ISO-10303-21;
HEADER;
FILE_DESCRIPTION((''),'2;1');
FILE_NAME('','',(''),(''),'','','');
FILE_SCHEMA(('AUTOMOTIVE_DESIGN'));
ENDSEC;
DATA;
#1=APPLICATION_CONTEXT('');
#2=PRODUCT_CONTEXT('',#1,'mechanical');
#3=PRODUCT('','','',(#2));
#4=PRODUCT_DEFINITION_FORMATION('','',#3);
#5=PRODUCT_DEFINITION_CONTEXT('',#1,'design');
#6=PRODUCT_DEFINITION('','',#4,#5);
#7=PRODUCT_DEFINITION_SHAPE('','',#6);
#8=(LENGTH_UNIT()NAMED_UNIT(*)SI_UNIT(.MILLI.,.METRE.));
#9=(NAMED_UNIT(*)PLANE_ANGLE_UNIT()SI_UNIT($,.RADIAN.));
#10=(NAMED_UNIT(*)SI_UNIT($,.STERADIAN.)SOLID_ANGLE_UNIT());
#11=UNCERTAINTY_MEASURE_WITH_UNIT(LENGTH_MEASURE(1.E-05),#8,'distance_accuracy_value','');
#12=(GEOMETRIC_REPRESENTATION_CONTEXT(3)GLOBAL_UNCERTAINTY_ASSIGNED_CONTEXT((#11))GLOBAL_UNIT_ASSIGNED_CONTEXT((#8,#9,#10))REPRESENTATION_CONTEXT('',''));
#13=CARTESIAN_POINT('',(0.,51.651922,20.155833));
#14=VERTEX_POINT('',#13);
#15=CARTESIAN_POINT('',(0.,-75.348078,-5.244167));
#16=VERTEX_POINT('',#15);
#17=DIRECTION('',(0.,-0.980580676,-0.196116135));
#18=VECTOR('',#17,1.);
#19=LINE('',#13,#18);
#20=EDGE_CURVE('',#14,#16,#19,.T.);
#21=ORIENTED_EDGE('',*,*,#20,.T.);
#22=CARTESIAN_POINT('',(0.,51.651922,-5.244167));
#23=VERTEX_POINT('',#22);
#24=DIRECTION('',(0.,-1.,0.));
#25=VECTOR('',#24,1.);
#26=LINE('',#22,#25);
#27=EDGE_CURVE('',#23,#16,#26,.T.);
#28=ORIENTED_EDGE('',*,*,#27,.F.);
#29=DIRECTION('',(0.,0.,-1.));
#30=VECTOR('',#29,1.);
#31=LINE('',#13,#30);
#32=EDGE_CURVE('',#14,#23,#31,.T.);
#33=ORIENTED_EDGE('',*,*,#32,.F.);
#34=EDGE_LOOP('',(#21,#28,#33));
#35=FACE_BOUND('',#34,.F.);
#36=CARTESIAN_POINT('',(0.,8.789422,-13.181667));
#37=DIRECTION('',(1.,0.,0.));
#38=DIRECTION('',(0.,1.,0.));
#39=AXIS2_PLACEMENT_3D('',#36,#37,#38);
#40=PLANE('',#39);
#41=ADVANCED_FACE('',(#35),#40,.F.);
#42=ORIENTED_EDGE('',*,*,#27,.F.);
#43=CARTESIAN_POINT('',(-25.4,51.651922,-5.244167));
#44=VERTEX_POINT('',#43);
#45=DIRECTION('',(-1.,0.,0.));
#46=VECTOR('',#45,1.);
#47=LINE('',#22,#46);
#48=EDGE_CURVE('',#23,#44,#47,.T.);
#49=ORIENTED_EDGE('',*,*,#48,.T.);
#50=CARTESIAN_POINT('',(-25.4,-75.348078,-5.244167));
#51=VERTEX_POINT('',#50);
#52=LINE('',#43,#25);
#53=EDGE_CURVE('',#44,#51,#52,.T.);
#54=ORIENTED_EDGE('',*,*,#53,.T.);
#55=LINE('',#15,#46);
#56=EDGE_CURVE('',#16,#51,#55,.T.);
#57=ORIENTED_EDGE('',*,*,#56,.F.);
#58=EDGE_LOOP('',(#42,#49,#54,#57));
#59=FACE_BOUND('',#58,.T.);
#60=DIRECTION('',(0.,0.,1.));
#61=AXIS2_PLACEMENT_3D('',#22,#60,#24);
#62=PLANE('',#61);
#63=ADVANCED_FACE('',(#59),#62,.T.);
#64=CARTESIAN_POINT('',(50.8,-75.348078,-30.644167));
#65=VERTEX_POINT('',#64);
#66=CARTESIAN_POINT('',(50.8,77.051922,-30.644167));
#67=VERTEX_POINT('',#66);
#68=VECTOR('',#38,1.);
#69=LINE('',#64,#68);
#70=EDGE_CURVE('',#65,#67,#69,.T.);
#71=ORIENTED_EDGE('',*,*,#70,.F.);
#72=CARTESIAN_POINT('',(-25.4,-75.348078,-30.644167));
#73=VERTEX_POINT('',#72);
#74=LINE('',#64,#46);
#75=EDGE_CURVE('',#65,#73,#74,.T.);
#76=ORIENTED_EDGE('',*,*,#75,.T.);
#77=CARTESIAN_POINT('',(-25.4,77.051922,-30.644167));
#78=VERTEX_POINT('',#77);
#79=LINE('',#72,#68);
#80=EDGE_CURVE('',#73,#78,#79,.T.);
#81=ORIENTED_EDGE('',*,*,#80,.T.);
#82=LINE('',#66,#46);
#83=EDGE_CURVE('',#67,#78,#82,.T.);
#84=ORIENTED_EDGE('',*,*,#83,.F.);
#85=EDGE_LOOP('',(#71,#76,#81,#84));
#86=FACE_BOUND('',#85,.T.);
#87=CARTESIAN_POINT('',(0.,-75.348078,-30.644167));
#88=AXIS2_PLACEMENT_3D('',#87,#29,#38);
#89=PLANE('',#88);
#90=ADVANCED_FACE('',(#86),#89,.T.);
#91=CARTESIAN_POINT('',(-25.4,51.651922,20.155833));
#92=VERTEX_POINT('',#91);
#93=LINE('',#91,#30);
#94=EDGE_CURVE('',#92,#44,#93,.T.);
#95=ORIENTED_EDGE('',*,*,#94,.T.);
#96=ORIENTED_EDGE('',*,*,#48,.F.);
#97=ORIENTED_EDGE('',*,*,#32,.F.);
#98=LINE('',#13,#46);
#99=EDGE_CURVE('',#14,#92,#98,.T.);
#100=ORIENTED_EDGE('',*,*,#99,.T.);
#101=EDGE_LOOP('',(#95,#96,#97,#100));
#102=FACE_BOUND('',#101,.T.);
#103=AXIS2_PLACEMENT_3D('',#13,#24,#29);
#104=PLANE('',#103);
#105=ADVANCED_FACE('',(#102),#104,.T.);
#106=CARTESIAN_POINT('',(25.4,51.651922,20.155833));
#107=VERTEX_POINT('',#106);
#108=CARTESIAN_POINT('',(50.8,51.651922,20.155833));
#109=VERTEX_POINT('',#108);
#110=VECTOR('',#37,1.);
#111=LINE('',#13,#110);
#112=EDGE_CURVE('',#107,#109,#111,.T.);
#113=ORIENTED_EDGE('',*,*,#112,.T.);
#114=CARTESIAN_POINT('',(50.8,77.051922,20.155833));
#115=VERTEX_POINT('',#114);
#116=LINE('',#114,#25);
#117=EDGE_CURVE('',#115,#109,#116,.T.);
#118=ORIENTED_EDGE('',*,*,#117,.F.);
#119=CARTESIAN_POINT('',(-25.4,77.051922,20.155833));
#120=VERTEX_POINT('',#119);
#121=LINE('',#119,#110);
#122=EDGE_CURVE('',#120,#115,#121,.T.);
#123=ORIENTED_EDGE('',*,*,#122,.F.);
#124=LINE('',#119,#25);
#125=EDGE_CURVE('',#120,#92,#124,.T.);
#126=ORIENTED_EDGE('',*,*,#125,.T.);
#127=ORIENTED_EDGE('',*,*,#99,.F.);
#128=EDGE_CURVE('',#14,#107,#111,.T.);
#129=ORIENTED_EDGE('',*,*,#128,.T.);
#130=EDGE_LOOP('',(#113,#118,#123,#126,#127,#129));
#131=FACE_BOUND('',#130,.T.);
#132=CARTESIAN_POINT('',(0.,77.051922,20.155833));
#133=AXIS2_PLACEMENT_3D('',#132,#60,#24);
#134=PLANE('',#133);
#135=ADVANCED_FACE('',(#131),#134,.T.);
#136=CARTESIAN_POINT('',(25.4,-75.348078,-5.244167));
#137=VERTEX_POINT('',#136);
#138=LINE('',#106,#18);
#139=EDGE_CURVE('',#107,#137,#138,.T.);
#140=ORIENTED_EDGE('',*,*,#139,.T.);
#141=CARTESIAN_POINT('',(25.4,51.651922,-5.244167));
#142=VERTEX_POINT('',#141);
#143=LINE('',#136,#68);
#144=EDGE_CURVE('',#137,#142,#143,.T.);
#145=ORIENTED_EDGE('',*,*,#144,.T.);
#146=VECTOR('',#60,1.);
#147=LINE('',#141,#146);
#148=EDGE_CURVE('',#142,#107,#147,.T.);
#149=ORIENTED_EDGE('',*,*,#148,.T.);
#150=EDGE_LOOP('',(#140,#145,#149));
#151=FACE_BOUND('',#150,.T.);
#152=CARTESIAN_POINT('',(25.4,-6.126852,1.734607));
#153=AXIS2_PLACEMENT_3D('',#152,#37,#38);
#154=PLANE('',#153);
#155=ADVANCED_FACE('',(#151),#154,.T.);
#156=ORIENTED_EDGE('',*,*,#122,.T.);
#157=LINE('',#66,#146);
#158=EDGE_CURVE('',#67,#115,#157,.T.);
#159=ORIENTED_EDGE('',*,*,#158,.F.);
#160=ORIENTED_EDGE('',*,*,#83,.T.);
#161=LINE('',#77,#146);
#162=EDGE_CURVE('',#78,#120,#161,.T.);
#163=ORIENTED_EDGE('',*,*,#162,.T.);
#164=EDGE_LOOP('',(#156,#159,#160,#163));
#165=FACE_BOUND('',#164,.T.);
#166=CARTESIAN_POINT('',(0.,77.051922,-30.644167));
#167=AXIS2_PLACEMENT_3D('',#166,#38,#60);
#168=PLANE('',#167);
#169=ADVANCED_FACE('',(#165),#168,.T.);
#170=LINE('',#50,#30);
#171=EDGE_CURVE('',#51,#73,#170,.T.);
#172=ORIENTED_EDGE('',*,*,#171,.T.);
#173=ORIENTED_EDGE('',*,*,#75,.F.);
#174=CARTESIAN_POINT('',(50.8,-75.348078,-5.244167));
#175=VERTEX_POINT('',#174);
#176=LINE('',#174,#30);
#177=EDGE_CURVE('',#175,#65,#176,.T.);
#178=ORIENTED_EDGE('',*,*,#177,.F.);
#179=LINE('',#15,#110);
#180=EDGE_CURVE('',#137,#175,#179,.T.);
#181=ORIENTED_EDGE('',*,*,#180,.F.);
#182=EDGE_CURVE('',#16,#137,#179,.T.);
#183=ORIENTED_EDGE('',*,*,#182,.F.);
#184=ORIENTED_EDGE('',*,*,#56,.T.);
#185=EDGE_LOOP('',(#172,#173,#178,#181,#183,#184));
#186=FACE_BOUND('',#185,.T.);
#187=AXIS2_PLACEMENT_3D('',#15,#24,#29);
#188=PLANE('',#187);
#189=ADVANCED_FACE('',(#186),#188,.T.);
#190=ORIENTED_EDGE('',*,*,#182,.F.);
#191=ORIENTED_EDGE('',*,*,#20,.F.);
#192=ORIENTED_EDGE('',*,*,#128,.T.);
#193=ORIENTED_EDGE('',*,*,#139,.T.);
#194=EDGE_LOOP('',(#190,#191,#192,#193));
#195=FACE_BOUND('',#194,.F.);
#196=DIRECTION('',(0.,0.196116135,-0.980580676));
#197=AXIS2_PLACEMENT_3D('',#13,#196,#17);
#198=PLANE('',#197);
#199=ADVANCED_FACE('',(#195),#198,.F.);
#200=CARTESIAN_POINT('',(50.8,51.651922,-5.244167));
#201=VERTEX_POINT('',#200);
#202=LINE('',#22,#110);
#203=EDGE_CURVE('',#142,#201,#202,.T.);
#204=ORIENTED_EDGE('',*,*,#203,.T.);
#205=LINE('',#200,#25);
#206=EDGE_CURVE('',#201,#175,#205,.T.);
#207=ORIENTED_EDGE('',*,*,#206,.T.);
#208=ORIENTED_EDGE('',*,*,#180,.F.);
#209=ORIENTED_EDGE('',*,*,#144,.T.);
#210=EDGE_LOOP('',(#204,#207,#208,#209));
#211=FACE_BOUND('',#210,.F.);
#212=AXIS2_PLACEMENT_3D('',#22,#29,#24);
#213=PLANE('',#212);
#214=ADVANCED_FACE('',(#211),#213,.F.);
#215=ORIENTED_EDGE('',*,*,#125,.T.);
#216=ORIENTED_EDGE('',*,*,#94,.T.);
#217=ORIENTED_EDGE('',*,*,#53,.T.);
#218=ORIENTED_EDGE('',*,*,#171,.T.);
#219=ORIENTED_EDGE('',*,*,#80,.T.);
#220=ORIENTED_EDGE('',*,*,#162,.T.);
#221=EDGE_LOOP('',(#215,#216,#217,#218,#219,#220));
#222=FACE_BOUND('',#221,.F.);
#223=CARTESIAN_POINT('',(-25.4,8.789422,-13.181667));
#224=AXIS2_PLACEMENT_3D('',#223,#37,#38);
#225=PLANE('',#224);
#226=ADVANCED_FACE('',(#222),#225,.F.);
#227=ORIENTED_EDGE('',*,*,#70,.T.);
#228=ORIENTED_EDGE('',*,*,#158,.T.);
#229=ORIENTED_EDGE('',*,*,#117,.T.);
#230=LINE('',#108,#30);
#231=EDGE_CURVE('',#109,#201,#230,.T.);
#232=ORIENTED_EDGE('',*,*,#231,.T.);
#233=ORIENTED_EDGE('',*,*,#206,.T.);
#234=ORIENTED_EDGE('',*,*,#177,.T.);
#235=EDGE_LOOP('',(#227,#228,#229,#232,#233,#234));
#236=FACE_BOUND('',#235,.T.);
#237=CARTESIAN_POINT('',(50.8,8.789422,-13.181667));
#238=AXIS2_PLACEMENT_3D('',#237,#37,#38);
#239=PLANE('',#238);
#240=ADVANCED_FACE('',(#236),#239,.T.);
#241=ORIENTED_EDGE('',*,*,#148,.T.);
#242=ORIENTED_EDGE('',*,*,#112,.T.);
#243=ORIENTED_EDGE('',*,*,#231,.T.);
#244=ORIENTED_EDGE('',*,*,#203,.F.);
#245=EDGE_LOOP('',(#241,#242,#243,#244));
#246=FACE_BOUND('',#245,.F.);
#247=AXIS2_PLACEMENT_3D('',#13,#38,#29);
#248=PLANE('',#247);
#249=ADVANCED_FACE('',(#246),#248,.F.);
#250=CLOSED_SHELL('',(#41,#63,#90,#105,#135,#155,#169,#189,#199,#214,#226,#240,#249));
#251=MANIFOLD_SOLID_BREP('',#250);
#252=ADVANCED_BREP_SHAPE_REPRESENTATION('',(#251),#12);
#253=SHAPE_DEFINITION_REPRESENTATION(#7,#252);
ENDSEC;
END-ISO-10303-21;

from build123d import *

# Parameters (mm, degrees)
F1_DEPTH      = 25.4
F2_DEPTH      = 50.8
F2_DEPTH_BACK = 25.4


with BuildPart() as f1:
    # F0 (on Right) → F1 (new body)
    with BuildSketch(Plane.YZ):
        Polygon((51.651922, -5.244167), (51.651922, 20.155833), (-75.348078, -5.244167), align=None)
    extrude(amount=F1_DEPTH)

    # F0 (on Right) → F2 (join, two sides)
    with BuildSketch(Plane.YZ) as f2_sk:
        Polygon((77.051922, -30.644167), (77.051922, 20.155833), (51.651922, 20.155833), (51.651922, -5.244167), (-75.348078, -5.244167), (-75.348078, -30.644167), align=None)
    extrude(amount=F2_DEPTH)
    extrude(f2_sk.sketch, amount=-F2_DEPTH_BACK)


solid = f1.part
